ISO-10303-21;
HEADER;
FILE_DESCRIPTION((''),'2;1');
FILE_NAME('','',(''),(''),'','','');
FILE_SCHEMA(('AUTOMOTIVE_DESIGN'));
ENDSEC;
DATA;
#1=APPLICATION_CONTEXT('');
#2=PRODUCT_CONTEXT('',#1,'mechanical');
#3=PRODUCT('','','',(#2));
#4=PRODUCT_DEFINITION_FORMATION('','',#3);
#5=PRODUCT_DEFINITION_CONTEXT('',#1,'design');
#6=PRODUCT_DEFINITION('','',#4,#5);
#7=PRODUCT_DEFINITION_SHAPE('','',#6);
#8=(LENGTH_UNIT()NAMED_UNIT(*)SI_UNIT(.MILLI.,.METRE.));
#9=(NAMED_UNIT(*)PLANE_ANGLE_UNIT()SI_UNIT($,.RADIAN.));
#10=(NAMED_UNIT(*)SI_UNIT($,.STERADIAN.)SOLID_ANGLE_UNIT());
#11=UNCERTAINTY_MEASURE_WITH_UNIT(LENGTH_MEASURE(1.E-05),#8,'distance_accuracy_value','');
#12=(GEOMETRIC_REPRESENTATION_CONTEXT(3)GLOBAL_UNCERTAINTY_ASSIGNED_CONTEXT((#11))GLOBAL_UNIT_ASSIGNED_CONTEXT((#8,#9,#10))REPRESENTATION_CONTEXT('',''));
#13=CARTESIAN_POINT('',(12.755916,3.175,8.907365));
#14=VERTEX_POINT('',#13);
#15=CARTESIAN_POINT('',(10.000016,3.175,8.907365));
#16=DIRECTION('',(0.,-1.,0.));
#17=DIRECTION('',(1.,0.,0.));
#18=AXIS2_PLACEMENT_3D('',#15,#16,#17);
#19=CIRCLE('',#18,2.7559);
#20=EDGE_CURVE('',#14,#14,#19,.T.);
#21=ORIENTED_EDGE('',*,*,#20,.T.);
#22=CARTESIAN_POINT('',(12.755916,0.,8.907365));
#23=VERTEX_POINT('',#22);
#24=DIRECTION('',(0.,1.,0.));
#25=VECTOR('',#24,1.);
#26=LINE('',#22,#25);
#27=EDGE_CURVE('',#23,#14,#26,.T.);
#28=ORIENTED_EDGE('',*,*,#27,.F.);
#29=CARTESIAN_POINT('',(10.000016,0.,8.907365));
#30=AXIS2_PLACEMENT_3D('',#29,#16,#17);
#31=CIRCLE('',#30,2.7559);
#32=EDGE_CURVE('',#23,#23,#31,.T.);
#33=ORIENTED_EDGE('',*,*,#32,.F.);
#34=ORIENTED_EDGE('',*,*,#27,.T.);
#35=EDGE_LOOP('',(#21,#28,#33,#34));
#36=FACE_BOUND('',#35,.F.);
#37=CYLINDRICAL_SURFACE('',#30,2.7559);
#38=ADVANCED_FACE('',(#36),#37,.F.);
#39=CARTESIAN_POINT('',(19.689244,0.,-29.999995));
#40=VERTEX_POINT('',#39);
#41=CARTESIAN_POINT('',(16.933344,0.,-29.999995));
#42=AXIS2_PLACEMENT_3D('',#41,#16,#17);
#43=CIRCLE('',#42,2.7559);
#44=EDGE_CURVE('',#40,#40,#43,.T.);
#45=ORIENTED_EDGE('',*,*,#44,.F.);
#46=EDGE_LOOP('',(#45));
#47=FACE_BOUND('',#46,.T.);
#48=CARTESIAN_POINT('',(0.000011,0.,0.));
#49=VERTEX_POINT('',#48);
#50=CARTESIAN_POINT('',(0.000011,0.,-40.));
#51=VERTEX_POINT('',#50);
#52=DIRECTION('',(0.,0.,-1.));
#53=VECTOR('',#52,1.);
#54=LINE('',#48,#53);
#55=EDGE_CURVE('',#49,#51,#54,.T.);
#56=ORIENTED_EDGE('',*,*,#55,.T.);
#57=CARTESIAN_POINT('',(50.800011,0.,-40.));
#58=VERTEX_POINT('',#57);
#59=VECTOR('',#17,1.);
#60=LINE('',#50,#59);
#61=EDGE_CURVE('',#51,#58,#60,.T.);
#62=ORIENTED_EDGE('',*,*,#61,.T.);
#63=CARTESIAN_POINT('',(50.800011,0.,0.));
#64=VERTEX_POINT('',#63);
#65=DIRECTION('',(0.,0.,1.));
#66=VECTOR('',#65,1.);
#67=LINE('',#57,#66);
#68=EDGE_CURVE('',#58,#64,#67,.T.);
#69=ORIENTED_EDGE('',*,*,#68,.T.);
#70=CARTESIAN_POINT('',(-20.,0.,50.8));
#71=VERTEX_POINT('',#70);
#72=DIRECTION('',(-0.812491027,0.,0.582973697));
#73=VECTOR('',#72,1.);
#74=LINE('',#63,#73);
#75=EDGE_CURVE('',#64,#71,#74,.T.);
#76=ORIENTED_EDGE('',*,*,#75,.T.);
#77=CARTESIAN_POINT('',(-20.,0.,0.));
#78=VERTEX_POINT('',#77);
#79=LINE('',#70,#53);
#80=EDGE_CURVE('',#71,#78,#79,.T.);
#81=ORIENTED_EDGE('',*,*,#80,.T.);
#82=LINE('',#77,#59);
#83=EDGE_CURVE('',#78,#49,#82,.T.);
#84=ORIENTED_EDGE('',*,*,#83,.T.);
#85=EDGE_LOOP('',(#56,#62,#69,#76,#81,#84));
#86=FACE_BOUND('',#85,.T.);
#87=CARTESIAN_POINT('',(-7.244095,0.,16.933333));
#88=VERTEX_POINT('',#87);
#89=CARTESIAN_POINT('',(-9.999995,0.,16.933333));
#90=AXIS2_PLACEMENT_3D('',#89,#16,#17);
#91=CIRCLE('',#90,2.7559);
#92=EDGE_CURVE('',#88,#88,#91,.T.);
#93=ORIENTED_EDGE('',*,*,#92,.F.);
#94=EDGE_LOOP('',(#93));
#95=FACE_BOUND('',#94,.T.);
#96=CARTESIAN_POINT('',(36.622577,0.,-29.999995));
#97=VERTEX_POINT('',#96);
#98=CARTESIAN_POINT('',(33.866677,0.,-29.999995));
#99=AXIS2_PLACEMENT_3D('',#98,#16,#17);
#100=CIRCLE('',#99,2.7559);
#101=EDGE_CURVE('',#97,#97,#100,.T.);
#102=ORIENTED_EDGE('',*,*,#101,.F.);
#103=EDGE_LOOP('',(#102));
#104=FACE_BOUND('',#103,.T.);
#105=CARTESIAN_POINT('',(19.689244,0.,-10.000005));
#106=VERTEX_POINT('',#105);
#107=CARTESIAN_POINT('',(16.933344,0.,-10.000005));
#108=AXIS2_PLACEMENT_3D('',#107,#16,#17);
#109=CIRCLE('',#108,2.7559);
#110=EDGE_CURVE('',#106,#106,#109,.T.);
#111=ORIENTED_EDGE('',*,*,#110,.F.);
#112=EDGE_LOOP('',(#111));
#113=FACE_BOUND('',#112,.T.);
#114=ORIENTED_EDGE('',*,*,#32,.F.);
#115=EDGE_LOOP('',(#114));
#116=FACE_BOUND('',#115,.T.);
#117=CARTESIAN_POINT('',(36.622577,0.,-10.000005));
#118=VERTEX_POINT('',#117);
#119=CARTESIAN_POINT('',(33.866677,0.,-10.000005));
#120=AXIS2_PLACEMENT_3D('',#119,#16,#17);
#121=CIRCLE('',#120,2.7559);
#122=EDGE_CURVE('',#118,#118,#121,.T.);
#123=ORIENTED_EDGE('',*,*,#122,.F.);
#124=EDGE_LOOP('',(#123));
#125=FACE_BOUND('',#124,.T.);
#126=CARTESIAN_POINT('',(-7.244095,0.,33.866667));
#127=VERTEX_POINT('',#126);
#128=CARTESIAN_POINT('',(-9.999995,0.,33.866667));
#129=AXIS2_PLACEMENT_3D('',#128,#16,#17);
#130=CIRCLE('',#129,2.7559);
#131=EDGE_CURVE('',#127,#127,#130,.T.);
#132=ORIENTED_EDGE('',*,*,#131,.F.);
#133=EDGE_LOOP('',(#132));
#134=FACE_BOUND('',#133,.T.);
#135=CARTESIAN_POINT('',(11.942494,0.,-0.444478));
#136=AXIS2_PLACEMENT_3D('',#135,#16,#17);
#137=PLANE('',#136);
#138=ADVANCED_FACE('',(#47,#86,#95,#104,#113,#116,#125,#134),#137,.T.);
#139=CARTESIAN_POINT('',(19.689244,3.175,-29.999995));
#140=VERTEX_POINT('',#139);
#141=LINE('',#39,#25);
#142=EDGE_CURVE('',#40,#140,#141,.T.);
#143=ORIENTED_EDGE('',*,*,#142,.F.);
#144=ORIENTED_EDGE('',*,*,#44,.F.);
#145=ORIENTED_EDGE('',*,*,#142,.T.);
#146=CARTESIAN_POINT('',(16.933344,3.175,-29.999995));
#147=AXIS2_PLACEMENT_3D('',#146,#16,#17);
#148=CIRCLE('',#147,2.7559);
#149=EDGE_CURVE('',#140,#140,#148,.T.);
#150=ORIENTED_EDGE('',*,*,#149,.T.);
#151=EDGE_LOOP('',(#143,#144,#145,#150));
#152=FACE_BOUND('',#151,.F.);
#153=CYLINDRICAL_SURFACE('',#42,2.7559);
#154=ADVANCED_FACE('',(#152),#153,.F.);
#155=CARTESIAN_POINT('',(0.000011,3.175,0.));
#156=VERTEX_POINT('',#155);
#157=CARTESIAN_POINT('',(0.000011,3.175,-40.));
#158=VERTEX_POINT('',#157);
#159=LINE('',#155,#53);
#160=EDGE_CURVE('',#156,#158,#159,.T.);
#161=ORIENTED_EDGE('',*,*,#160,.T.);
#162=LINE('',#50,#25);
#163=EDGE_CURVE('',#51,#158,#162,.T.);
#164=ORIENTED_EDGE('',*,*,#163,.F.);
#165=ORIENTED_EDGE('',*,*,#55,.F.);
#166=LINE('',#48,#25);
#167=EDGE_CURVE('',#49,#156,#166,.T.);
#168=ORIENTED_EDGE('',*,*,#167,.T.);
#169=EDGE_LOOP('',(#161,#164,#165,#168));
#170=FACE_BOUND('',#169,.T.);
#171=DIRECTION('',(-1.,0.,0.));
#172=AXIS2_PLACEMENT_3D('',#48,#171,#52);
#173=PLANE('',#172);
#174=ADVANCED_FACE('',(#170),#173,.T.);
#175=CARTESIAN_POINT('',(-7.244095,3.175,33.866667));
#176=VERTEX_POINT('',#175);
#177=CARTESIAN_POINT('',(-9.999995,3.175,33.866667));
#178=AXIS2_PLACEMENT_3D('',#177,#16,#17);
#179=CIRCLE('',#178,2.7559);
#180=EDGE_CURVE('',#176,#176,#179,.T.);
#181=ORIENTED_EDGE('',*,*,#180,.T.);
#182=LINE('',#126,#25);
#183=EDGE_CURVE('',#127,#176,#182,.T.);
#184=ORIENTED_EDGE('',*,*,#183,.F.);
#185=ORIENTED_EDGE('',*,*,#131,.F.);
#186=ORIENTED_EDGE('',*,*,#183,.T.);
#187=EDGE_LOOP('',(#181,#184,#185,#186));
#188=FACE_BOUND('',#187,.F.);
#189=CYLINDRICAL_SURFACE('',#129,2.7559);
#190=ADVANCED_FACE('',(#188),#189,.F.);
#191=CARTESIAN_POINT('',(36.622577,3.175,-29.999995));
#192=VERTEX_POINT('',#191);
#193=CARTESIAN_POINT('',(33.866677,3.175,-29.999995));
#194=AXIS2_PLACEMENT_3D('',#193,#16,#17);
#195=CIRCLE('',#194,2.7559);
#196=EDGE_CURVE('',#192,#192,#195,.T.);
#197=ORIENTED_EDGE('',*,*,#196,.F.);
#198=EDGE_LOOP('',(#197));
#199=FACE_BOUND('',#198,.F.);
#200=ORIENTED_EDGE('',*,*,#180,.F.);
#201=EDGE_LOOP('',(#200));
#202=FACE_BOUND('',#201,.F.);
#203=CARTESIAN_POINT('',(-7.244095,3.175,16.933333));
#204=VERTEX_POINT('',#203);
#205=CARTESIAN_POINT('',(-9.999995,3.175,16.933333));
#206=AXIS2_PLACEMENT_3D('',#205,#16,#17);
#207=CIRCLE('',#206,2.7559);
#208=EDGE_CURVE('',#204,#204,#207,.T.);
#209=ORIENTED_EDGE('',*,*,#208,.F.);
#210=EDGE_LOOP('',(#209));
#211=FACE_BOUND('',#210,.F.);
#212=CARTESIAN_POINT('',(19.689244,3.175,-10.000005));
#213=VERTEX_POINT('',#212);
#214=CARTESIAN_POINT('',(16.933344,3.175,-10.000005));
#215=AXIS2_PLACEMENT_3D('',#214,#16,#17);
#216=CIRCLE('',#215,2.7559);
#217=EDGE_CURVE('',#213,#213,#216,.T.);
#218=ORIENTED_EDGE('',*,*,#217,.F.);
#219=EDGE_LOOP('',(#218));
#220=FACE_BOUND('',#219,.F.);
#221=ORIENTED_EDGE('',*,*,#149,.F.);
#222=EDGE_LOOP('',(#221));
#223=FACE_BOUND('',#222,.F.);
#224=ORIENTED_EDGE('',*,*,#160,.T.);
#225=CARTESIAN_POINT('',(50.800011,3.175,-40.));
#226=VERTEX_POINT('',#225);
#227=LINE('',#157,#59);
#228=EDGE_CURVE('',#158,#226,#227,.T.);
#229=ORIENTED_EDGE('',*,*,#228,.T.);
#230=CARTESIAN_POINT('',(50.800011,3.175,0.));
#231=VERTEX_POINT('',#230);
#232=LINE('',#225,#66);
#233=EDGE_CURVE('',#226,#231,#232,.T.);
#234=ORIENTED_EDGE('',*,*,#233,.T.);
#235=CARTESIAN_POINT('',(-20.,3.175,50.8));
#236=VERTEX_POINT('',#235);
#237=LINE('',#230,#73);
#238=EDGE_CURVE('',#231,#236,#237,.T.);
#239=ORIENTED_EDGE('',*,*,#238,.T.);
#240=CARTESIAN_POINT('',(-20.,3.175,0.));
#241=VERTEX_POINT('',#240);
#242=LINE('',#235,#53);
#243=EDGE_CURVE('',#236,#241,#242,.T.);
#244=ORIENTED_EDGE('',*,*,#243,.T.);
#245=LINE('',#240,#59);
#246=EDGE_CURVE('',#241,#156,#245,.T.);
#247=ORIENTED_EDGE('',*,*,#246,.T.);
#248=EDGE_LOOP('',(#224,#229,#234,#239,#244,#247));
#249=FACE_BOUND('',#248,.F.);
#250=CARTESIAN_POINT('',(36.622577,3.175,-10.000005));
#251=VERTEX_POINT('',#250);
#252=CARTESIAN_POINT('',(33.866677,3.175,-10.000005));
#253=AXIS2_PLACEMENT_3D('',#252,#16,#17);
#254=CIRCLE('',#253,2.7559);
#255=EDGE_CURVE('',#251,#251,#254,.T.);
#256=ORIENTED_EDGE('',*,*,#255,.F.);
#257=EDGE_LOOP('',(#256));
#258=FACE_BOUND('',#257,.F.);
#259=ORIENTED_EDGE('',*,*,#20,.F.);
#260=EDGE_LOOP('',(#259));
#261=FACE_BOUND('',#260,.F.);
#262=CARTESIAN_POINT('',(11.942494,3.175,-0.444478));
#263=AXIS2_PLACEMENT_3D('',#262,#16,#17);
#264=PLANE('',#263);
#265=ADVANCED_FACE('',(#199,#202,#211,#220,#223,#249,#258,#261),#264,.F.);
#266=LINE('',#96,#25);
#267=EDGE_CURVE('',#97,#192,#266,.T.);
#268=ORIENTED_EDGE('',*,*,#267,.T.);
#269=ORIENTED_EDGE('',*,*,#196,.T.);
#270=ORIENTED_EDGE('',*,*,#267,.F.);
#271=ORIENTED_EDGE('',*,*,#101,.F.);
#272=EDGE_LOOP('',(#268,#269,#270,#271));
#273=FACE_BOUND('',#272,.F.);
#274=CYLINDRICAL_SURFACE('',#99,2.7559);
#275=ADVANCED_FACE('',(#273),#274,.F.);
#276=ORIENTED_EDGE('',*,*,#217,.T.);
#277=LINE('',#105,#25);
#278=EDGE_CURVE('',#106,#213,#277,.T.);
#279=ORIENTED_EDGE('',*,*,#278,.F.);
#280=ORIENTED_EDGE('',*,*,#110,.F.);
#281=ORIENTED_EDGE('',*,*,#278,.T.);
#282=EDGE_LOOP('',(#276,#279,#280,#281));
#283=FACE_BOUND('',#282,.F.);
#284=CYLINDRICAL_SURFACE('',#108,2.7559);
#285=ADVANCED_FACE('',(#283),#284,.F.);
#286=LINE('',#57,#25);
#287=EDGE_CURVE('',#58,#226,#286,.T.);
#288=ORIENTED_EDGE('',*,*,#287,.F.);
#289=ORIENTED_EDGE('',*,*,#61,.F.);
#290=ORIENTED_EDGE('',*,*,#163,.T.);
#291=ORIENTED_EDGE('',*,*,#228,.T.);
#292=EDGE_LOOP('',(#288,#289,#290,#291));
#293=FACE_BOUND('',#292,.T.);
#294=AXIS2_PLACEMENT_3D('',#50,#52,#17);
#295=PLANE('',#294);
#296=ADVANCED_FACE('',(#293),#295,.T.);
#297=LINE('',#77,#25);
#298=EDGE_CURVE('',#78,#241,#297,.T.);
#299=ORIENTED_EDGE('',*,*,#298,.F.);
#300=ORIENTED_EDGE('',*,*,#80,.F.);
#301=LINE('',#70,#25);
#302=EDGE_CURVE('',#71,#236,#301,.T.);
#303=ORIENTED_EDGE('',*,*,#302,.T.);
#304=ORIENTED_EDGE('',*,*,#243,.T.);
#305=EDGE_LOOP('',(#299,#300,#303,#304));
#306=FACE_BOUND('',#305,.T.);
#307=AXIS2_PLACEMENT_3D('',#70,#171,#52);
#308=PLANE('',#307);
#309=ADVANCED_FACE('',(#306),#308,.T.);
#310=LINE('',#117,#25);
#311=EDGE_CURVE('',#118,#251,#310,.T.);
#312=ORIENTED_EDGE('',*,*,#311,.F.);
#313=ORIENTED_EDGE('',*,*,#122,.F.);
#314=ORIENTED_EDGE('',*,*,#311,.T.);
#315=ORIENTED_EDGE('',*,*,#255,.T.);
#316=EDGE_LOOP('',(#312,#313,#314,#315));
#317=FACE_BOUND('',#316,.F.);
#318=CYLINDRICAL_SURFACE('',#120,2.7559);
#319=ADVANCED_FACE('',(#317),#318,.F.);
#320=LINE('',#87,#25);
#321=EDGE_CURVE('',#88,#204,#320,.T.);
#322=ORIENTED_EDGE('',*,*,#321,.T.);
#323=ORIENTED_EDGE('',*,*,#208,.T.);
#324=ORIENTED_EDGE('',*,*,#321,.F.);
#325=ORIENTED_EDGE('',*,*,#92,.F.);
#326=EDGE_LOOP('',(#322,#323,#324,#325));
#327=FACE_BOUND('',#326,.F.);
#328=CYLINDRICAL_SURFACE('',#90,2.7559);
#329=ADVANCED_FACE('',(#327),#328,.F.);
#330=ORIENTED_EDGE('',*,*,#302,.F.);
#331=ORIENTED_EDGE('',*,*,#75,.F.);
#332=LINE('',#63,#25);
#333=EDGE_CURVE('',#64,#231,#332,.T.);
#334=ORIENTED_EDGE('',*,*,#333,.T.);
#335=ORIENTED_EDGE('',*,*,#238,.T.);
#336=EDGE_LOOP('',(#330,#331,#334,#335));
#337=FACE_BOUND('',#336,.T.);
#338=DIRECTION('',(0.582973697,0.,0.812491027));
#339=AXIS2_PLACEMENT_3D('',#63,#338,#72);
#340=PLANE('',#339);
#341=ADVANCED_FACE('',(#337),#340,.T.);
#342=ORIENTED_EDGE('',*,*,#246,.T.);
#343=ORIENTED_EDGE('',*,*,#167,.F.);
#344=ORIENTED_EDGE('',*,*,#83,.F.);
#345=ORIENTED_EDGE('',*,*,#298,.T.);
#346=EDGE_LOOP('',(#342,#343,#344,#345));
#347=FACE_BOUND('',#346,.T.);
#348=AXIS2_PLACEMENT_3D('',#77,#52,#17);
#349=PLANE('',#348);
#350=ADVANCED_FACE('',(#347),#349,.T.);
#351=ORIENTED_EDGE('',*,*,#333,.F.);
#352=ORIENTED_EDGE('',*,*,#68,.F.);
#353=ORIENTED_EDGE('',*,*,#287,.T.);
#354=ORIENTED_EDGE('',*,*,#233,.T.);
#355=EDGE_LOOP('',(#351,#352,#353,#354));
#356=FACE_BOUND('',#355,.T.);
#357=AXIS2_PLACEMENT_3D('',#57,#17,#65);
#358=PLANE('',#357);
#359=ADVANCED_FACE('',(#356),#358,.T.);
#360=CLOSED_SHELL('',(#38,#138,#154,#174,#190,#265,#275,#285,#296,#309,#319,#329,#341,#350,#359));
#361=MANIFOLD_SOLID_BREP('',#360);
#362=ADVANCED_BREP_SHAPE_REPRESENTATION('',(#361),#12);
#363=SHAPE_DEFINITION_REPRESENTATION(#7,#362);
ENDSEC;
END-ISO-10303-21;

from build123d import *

# Parameters (mm, degrees)
F0_R     = 2.7559
F1_DEPTH = 3.175


with BuildPart() as f1:
    # F0 (on Front) → F1 (new body)
    with BuildSketch(Plane.XZ):
        Polygon((1.1e-05, -14.514416), (1.1e-05, -40), (50.800011, -40), (50.800011, 0), (-20, 50.8), (-20, 0), (1.1e-05, 0), align=None)
        with Locations((16.933344, -29.999995)):
            Circle(F0_R, mode=Mode.SUBTRACT)
        with Locations((33.866677, -29.999995)):
            Circle(F0_R, mode=Mode.SUBTRACT)
        with Locations((16.933344, -10.000005)):
            Circle(F0_R, mode=Mode.SUBTRACT)
        with Locations((33.866677, -10.000005)):
            Circle(F0_R, mode=Mode.SUBTRACT)
        with Locations((-9.999995, 16.933333)):
            Circle(F0_R, mode=Mode.SUBTRACT)
        with Locations((10.000016, 8.907365)):
            Circle(F0_R, mode=Mode.SUBTRACT)
        with Locations((-9.999995, 33.866667)):
            Circle(F0_R, mode=Mode.SUBTRACT)
    extrude(amount=-F1_DEPTH)


solid = f1.part
